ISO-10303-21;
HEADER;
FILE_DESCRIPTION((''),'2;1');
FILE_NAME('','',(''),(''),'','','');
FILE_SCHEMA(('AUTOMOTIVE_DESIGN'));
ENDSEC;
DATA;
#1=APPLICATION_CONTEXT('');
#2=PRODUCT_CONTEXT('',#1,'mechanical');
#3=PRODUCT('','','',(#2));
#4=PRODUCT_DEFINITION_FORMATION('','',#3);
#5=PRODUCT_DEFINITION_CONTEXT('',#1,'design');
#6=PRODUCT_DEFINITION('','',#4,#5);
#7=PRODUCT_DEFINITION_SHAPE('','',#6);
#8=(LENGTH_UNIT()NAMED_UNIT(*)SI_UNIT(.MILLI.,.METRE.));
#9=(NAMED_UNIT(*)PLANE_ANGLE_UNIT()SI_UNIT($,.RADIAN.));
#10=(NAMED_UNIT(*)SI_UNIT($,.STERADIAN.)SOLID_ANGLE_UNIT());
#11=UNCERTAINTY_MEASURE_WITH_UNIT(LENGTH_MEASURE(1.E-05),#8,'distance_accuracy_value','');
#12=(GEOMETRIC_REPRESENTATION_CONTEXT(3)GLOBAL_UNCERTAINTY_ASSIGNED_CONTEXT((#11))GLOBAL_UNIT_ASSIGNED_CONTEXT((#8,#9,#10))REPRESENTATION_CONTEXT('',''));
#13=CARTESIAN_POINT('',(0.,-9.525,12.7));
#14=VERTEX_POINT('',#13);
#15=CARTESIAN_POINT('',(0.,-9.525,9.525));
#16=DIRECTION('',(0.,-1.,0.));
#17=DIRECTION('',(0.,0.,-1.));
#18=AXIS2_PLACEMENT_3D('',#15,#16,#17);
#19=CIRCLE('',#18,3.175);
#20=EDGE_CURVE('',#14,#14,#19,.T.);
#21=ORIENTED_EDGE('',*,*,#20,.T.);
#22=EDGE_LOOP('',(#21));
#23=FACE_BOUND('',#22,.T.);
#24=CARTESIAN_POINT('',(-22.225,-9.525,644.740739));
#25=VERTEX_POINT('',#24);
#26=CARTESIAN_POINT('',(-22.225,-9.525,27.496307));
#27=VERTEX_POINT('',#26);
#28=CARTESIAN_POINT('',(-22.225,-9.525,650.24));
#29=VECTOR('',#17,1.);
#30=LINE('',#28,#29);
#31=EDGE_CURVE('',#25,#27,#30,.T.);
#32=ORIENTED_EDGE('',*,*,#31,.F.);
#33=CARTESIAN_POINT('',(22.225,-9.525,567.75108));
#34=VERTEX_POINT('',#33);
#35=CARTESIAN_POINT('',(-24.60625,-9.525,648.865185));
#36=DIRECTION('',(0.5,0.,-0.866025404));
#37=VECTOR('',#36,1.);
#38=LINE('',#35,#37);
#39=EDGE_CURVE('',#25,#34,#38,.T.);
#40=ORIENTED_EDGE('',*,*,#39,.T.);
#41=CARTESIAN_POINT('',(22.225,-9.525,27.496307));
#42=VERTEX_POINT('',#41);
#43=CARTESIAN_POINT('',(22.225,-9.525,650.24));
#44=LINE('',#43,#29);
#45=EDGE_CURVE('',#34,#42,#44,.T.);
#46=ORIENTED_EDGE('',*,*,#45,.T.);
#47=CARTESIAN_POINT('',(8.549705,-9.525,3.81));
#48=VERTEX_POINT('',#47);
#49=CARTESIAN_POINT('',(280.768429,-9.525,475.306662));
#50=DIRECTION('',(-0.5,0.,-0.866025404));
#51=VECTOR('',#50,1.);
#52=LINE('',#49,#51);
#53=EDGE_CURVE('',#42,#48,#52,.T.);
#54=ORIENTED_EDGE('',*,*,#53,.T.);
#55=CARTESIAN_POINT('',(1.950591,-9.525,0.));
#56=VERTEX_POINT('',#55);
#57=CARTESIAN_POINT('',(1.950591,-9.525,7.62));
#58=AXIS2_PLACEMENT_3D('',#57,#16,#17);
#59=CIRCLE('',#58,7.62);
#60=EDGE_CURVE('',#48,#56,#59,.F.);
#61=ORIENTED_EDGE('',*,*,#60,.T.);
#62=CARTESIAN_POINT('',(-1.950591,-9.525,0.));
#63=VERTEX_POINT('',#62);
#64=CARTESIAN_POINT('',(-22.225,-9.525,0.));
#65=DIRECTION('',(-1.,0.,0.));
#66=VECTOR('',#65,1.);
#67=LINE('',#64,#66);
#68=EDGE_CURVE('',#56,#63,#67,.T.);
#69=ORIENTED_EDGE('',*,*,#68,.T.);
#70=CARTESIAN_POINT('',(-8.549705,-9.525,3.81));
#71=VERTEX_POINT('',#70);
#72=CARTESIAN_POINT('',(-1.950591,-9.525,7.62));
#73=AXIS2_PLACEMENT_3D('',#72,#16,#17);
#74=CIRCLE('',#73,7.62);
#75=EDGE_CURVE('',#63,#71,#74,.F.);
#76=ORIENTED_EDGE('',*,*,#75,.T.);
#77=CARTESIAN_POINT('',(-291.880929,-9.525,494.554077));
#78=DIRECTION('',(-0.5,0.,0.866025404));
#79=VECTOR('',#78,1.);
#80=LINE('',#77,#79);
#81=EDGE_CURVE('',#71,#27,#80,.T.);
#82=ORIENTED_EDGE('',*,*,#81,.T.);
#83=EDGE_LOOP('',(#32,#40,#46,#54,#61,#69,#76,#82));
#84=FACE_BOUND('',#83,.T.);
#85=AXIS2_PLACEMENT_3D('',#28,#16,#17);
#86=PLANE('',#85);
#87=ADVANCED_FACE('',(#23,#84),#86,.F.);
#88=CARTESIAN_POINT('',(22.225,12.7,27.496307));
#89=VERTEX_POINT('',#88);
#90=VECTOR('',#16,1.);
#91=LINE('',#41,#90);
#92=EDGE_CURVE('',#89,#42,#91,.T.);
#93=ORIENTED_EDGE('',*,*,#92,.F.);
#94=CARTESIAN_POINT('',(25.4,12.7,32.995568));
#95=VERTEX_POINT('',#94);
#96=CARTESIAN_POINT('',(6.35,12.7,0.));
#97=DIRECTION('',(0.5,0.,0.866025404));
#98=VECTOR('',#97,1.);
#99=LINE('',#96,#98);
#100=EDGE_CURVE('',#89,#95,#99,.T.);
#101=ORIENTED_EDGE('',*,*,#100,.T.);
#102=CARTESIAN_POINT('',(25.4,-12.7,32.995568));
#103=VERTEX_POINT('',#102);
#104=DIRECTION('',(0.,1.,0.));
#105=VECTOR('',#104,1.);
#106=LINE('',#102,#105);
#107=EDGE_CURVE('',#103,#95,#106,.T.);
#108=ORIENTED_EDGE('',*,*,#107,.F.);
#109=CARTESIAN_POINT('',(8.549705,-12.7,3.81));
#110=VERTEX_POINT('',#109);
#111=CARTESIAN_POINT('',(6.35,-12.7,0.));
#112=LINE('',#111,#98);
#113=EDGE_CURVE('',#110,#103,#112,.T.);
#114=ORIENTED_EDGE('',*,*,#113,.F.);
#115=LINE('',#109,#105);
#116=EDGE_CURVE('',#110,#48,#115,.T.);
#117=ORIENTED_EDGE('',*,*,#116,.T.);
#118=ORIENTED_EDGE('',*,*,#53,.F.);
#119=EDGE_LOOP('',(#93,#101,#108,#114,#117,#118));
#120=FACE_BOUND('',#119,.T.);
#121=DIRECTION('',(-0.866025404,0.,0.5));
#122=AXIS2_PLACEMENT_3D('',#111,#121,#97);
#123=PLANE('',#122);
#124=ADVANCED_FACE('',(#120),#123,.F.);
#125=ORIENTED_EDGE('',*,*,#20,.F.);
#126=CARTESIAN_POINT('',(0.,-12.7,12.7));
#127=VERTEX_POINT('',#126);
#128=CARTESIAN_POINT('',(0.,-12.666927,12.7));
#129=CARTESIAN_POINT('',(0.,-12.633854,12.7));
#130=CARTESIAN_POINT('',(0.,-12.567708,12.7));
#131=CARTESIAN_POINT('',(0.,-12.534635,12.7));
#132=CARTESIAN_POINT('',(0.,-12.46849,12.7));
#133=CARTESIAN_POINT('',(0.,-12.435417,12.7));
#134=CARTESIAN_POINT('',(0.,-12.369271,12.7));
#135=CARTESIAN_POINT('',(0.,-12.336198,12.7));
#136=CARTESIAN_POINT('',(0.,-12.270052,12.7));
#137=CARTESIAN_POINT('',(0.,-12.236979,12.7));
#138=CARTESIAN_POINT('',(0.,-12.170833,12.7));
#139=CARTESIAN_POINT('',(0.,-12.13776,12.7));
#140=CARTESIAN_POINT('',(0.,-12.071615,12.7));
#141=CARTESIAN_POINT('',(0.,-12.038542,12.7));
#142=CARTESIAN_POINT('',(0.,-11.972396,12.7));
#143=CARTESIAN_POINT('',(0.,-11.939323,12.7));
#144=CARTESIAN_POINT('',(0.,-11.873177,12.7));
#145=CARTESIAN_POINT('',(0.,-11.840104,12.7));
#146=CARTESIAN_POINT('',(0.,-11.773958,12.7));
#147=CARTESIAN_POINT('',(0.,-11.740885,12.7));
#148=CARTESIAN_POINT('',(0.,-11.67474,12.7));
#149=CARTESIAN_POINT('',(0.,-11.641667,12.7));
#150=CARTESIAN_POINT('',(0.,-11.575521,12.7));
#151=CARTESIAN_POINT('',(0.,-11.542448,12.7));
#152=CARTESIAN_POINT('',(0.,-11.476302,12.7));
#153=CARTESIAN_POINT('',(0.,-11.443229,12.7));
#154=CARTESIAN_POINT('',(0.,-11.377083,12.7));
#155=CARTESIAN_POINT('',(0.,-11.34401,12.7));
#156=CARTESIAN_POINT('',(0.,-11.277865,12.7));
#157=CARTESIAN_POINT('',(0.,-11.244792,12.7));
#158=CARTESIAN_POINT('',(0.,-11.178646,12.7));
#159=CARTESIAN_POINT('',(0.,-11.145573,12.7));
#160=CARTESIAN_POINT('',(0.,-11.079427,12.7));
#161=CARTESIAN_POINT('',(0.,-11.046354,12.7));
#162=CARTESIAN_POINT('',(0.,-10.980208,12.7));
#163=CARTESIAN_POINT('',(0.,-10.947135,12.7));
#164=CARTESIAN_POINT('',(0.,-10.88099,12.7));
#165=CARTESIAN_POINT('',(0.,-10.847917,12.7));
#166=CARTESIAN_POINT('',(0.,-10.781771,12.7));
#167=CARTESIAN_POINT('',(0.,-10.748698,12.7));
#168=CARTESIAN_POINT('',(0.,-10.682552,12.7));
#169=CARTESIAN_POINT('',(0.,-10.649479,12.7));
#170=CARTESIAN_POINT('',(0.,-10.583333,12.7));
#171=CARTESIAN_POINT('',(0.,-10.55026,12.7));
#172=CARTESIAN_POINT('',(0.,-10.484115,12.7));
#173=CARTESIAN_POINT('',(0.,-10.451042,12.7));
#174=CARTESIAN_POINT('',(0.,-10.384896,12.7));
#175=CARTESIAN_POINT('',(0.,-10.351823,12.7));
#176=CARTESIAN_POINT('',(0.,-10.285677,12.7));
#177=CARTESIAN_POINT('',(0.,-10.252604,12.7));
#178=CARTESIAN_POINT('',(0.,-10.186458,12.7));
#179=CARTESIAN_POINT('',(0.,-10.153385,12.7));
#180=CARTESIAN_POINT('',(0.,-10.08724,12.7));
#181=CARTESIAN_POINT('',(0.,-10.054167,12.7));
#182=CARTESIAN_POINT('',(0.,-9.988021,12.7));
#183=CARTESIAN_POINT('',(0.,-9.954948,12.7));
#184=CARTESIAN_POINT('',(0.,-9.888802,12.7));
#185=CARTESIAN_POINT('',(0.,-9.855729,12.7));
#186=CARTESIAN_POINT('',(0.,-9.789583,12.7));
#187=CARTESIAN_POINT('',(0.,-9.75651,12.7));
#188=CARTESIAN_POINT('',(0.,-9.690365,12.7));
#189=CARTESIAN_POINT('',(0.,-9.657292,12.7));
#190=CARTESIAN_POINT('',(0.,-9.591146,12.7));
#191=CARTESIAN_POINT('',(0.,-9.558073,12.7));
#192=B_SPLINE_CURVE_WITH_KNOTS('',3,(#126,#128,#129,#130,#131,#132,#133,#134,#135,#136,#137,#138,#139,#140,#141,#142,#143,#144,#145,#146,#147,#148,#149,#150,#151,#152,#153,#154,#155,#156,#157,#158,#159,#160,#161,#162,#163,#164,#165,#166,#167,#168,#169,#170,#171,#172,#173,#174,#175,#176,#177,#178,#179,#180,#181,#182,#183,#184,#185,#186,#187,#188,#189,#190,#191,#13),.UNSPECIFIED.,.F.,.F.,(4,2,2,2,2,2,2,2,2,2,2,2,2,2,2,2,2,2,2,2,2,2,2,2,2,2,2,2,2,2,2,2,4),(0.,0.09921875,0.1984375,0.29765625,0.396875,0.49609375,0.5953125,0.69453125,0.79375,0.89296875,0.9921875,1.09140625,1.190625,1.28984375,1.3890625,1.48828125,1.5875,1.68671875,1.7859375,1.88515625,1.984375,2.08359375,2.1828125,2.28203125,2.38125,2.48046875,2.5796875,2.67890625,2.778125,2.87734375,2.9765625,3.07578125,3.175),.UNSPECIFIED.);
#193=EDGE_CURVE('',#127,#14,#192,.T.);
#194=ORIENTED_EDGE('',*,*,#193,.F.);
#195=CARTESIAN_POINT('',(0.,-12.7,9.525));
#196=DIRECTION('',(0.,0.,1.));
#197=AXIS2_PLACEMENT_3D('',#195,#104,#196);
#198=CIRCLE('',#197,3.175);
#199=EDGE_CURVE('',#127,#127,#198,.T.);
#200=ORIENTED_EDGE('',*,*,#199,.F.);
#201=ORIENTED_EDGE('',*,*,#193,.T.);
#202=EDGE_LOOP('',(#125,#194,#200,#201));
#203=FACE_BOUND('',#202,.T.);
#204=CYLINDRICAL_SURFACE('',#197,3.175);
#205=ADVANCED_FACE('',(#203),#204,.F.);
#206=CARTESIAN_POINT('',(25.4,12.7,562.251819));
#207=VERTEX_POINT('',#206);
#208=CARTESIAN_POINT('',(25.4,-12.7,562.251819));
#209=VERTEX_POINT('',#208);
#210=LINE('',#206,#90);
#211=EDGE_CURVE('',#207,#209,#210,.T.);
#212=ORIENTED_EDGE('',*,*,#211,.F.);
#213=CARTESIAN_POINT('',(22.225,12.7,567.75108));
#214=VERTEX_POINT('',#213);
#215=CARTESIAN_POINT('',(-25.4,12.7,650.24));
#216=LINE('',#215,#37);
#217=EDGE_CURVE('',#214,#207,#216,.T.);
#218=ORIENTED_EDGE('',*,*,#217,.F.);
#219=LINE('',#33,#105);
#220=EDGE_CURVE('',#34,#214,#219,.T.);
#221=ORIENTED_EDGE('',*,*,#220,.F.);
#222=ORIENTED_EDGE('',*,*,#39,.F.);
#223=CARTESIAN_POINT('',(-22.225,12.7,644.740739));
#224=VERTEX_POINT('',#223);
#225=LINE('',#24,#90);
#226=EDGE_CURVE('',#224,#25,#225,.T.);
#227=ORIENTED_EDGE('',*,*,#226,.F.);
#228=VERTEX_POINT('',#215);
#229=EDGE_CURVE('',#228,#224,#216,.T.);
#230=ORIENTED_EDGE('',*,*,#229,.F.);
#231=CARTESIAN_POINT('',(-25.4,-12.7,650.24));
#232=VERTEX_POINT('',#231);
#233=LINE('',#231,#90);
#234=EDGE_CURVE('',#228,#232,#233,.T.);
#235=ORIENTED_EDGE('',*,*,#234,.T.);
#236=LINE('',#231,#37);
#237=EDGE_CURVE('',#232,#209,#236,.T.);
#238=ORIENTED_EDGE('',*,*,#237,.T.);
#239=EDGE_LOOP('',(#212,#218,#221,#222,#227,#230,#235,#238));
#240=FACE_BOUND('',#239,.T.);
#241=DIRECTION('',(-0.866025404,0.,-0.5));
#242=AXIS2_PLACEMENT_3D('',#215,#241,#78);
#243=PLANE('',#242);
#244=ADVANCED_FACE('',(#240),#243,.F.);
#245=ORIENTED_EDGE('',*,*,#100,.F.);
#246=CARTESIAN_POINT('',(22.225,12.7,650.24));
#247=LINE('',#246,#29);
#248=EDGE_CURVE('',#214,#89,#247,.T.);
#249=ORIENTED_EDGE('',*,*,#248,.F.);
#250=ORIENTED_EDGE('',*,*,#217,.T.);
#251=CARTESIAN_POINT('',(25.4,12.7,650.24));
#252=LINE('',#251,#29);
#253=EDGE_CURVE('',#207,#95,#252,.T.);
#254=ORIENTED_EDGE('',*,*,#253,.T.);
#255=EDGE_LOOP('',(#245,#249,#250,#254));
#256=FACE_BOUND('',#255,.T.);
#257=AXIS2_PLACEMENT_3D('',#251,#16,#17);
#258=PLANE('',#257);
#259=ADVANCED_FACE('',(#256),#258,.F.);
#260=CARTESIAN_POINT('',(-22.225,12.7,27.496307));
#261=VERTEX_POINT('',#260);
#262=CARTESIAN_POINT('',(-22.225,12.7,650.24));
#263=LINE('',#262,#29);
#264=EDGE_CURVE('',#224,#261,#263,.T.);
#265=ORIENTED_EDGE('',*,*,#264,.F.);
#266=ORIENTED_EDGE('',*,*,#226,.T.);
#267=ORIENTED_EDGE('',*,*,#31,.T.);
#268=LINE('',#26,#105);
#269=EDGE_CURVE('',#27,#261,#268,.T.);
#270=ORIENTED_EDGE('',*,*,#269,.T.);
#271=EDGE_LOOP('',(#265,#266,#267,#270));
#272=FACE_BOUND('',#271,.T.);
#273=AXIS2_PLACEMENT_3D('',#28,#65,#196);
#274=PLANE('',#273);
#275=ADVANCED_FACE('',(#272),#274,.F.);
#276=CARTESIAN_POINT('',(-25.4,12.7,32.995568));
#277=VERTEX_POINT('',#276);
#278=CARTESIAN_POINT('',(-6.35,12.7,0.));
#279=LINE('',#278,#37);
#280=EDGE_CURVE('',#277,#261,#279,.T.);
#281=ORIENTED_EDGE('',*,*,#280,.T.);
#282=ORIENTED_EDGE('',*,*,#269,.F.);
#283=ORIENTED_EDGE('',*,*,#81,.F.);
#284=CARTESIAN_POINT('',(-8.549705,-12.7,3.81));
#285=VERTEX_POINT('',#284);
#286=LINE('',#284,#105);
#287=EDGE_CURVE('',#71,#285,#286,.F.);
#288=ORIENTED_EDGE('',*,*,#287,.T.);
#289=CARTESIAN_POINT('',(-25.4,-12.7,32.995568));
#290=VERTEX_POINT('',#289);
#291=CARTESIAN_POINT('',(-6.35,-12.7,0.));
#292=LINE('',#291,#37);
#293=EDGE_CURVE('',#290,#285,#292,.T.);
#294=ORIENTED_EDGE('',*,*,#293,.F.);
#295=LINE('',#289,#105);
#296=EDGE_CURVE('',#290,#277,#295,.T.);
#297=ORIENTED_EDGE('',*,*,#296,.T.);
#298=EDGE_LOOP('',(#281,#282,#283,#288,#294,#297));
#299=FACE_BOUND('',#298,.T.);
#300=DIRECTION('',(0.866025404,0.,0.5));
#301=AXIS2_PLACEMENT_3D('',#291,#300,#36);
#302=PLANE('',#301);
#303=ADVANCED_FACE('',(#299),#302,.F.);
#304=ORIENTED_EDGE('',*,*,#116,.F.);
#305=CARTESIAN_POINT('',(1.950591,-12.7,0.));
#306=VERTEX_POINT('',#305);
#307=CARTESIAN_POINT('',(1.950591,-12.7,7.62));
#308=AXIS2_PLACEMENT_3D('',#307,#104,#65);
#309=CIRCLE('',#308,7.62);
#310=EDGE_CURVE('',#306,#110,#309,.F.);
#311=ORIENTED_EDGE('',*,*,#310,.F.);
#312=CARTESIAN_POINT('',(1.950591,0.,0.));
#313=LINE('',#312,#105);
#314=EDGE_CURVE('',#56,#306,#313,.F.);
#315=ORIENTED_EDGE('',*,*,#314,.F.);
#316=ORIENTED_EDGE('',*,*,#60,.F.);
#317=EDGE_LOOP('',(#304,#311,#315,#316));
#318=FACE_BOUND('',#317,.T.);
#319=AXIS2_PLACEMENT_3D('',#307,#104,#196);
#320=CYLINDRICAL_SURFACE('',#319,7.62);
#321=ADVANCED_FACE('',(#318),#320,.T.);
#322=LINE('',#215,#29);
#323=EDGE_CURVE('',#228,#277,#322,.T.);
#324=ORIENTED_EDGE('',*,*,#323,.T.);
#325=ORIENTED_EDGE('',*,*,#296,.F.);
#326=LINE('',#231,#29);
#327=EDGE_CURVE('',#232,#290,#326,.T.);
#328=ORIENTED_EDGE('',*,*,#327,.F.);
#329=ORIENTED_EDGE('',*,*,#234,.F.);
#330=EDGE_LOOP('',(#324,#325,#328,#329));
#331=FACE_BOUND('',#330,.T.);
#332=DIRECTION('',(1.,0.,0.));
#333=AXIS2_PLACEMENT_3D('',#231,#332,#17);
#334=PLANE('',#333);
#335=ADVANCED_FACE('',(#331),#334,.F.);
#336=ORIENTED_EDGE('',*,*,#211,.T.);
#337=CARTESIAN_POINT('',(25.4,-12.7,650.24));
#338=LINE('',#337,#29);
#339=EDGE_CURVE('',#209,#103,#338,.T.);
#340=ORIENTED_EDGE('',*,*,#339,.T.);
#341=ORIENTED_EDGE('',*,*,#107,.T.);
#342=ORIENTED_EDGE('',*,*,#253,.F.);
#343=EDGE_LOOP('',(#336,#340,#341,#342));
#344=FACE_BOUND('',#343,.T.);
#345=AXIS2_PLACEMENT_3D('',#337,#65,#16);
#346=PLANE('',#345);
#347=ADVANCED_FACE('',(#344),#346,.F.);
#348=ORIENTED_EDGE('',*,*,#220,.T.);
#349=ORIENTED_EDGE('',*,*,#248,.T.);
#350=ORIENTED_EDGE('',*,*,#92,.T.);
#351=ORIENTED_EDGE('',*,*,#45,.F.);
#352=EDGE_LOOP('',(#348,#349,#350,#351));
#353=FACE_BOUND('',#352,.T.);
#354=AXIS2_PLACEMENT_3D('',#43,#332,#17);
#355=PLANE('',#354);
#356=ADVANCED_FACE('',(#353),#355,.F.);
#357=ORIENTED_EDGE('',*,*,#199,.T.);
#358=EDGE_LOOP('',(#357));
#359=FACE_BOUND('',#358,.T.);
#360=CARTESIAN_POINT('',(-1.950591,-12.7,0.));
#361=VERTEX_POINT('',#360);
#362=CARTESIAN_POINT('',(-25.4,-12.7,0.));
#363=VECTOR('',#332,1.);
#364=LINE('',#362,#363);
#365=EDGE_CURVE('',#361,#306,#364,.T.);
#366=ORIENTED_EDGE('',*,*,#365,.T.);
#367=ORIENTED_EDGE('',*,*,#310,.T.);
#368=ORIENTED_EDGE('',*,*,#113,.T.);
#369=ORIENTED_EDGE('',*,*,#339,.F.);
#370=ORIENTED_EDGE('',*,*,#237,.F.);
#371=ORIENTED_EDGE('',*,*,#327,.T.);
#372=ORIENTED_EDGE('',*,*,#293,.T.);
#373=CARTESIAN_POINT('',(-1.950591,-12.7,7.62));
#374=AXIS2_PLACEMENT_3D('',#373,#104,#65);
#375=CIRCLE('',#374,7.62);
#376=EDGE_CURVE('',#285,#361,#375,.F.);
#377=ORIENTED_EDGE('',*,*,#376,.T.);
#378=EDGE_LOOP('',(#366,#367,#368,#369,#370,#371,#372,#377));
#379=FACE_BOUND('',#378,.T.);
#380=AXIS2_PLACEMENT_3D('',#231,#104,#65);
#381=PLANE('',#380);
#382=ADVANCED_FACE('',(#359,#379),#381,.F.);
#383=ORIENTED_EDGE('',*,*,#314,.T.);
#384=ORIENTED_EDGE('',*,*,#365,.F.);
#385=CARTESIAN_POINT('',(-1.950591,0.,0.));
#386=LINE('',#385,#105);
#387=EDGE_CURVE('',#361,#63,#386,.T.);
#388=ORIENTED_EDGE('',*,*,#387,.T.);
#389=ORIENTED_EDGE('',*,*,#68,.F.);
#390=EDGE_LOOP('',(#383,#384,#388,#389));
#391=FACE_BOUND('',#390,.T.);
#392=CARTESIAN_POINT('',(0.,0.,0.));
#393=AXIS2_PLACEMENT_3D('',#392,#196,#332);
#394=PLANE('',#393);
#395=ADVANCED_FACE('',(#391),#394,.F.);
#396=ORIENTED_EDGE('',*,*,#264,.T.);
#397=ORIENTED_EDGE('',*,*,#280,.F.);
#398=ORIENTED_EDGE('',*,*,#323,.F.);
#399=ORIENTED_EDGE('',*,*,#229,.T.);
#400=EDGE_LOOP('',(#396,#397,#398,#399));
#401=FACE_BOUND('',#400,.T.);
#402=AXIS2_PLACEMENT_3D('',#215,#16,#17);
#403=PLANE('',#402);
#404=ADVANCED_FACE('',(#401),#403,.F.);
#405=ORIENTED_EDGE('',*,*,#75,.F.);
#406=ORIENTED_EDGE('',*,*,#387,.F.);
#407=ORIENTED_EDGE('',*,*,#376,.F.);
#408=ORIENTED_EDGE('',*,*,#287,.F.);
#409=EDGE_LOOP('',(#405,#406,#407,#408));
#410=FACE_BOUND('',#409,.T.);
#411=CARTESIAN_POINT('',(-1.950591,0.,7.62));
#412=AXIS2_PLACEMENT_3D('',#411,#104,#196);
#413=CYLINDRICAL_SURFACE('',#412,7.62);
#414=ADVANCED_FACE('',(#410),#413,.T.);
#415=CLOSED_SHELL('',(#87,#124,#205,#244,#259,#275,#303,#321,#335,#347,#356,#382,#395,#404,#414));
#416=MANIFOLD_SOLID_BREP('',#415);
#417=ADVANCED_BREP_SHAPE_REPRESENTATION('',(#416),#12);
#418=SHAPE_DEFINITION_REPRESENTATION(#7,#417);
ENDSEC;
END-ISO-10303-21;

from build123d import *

# Parameters (mm, degrees)
BOSS_EXTRUDE1_DEPTH = 650.24
CUT_EXTRUDE1_DEPTH  = 652.231431674
SKETCH3_R           = 3.175
CUT_EXTRUDE2_DEPTH  = 652.231431674
FILLET1_R           = 7.62


with BuildPart() as part:
    # Sketch1 → Boss-Extrude1 (new body)
    with BuildSketch(Plane.XY):
        Polygon((-22.225, -9.525), (-22.225, 12.7), (-25.4, 12.7), (-25.4, -12.7), (25.4, -12.7), (25.4, 12.7), (22.225, 12.7), (22.225, -9.525), align=None)
    extrude(amount=BOSS_EXTRUDE1_DEPTH)

    # Sketch2 → Cut-Extrude1 (cut, through all)
    with BuildSketch(Plane.XZ.offset(12.7)):
        Polygon((-25.4, 650.24), (25.4, 562.251818976), (25.4, 650.24), align=None)
    extrude(amount=-CUT_EXTRUDE1_DEPTH, mode=Mode.SUBTRACT)

    # Sketch3 → Cut-Extrude2 (cut, through all)
    with BuildSketch(Plane(origin=(0, 12.7, 0), x_dir=(1, 0, 0), z_dir=(0, 1, 0))):
        with Locations(Location((0, -9.525, 0), (0, 0, 270))):
            Circle(SKETCH3_R)
        Polygon((-6.35, 0), (6.35, 0), (25.4, -32.995567884), (25.4, 20.936285304), (-25.4, 20.936285304), (-25.4, -32.995567884), align=None)
    extrude(amount=-CUT_EXTRUDE2_DEPTH, mode=Mode.SUBTRACT)

    # Fillet1
    fillet1_edges = [part.edges().sort_by_distance(p)[0] for p in [
        (6.35, -11.1125, 0),
        (-6.35, -11.1125, 0),
    ]]
    fillet(fillet1_edges, radius=FILLET1_R)


solid = part.part
